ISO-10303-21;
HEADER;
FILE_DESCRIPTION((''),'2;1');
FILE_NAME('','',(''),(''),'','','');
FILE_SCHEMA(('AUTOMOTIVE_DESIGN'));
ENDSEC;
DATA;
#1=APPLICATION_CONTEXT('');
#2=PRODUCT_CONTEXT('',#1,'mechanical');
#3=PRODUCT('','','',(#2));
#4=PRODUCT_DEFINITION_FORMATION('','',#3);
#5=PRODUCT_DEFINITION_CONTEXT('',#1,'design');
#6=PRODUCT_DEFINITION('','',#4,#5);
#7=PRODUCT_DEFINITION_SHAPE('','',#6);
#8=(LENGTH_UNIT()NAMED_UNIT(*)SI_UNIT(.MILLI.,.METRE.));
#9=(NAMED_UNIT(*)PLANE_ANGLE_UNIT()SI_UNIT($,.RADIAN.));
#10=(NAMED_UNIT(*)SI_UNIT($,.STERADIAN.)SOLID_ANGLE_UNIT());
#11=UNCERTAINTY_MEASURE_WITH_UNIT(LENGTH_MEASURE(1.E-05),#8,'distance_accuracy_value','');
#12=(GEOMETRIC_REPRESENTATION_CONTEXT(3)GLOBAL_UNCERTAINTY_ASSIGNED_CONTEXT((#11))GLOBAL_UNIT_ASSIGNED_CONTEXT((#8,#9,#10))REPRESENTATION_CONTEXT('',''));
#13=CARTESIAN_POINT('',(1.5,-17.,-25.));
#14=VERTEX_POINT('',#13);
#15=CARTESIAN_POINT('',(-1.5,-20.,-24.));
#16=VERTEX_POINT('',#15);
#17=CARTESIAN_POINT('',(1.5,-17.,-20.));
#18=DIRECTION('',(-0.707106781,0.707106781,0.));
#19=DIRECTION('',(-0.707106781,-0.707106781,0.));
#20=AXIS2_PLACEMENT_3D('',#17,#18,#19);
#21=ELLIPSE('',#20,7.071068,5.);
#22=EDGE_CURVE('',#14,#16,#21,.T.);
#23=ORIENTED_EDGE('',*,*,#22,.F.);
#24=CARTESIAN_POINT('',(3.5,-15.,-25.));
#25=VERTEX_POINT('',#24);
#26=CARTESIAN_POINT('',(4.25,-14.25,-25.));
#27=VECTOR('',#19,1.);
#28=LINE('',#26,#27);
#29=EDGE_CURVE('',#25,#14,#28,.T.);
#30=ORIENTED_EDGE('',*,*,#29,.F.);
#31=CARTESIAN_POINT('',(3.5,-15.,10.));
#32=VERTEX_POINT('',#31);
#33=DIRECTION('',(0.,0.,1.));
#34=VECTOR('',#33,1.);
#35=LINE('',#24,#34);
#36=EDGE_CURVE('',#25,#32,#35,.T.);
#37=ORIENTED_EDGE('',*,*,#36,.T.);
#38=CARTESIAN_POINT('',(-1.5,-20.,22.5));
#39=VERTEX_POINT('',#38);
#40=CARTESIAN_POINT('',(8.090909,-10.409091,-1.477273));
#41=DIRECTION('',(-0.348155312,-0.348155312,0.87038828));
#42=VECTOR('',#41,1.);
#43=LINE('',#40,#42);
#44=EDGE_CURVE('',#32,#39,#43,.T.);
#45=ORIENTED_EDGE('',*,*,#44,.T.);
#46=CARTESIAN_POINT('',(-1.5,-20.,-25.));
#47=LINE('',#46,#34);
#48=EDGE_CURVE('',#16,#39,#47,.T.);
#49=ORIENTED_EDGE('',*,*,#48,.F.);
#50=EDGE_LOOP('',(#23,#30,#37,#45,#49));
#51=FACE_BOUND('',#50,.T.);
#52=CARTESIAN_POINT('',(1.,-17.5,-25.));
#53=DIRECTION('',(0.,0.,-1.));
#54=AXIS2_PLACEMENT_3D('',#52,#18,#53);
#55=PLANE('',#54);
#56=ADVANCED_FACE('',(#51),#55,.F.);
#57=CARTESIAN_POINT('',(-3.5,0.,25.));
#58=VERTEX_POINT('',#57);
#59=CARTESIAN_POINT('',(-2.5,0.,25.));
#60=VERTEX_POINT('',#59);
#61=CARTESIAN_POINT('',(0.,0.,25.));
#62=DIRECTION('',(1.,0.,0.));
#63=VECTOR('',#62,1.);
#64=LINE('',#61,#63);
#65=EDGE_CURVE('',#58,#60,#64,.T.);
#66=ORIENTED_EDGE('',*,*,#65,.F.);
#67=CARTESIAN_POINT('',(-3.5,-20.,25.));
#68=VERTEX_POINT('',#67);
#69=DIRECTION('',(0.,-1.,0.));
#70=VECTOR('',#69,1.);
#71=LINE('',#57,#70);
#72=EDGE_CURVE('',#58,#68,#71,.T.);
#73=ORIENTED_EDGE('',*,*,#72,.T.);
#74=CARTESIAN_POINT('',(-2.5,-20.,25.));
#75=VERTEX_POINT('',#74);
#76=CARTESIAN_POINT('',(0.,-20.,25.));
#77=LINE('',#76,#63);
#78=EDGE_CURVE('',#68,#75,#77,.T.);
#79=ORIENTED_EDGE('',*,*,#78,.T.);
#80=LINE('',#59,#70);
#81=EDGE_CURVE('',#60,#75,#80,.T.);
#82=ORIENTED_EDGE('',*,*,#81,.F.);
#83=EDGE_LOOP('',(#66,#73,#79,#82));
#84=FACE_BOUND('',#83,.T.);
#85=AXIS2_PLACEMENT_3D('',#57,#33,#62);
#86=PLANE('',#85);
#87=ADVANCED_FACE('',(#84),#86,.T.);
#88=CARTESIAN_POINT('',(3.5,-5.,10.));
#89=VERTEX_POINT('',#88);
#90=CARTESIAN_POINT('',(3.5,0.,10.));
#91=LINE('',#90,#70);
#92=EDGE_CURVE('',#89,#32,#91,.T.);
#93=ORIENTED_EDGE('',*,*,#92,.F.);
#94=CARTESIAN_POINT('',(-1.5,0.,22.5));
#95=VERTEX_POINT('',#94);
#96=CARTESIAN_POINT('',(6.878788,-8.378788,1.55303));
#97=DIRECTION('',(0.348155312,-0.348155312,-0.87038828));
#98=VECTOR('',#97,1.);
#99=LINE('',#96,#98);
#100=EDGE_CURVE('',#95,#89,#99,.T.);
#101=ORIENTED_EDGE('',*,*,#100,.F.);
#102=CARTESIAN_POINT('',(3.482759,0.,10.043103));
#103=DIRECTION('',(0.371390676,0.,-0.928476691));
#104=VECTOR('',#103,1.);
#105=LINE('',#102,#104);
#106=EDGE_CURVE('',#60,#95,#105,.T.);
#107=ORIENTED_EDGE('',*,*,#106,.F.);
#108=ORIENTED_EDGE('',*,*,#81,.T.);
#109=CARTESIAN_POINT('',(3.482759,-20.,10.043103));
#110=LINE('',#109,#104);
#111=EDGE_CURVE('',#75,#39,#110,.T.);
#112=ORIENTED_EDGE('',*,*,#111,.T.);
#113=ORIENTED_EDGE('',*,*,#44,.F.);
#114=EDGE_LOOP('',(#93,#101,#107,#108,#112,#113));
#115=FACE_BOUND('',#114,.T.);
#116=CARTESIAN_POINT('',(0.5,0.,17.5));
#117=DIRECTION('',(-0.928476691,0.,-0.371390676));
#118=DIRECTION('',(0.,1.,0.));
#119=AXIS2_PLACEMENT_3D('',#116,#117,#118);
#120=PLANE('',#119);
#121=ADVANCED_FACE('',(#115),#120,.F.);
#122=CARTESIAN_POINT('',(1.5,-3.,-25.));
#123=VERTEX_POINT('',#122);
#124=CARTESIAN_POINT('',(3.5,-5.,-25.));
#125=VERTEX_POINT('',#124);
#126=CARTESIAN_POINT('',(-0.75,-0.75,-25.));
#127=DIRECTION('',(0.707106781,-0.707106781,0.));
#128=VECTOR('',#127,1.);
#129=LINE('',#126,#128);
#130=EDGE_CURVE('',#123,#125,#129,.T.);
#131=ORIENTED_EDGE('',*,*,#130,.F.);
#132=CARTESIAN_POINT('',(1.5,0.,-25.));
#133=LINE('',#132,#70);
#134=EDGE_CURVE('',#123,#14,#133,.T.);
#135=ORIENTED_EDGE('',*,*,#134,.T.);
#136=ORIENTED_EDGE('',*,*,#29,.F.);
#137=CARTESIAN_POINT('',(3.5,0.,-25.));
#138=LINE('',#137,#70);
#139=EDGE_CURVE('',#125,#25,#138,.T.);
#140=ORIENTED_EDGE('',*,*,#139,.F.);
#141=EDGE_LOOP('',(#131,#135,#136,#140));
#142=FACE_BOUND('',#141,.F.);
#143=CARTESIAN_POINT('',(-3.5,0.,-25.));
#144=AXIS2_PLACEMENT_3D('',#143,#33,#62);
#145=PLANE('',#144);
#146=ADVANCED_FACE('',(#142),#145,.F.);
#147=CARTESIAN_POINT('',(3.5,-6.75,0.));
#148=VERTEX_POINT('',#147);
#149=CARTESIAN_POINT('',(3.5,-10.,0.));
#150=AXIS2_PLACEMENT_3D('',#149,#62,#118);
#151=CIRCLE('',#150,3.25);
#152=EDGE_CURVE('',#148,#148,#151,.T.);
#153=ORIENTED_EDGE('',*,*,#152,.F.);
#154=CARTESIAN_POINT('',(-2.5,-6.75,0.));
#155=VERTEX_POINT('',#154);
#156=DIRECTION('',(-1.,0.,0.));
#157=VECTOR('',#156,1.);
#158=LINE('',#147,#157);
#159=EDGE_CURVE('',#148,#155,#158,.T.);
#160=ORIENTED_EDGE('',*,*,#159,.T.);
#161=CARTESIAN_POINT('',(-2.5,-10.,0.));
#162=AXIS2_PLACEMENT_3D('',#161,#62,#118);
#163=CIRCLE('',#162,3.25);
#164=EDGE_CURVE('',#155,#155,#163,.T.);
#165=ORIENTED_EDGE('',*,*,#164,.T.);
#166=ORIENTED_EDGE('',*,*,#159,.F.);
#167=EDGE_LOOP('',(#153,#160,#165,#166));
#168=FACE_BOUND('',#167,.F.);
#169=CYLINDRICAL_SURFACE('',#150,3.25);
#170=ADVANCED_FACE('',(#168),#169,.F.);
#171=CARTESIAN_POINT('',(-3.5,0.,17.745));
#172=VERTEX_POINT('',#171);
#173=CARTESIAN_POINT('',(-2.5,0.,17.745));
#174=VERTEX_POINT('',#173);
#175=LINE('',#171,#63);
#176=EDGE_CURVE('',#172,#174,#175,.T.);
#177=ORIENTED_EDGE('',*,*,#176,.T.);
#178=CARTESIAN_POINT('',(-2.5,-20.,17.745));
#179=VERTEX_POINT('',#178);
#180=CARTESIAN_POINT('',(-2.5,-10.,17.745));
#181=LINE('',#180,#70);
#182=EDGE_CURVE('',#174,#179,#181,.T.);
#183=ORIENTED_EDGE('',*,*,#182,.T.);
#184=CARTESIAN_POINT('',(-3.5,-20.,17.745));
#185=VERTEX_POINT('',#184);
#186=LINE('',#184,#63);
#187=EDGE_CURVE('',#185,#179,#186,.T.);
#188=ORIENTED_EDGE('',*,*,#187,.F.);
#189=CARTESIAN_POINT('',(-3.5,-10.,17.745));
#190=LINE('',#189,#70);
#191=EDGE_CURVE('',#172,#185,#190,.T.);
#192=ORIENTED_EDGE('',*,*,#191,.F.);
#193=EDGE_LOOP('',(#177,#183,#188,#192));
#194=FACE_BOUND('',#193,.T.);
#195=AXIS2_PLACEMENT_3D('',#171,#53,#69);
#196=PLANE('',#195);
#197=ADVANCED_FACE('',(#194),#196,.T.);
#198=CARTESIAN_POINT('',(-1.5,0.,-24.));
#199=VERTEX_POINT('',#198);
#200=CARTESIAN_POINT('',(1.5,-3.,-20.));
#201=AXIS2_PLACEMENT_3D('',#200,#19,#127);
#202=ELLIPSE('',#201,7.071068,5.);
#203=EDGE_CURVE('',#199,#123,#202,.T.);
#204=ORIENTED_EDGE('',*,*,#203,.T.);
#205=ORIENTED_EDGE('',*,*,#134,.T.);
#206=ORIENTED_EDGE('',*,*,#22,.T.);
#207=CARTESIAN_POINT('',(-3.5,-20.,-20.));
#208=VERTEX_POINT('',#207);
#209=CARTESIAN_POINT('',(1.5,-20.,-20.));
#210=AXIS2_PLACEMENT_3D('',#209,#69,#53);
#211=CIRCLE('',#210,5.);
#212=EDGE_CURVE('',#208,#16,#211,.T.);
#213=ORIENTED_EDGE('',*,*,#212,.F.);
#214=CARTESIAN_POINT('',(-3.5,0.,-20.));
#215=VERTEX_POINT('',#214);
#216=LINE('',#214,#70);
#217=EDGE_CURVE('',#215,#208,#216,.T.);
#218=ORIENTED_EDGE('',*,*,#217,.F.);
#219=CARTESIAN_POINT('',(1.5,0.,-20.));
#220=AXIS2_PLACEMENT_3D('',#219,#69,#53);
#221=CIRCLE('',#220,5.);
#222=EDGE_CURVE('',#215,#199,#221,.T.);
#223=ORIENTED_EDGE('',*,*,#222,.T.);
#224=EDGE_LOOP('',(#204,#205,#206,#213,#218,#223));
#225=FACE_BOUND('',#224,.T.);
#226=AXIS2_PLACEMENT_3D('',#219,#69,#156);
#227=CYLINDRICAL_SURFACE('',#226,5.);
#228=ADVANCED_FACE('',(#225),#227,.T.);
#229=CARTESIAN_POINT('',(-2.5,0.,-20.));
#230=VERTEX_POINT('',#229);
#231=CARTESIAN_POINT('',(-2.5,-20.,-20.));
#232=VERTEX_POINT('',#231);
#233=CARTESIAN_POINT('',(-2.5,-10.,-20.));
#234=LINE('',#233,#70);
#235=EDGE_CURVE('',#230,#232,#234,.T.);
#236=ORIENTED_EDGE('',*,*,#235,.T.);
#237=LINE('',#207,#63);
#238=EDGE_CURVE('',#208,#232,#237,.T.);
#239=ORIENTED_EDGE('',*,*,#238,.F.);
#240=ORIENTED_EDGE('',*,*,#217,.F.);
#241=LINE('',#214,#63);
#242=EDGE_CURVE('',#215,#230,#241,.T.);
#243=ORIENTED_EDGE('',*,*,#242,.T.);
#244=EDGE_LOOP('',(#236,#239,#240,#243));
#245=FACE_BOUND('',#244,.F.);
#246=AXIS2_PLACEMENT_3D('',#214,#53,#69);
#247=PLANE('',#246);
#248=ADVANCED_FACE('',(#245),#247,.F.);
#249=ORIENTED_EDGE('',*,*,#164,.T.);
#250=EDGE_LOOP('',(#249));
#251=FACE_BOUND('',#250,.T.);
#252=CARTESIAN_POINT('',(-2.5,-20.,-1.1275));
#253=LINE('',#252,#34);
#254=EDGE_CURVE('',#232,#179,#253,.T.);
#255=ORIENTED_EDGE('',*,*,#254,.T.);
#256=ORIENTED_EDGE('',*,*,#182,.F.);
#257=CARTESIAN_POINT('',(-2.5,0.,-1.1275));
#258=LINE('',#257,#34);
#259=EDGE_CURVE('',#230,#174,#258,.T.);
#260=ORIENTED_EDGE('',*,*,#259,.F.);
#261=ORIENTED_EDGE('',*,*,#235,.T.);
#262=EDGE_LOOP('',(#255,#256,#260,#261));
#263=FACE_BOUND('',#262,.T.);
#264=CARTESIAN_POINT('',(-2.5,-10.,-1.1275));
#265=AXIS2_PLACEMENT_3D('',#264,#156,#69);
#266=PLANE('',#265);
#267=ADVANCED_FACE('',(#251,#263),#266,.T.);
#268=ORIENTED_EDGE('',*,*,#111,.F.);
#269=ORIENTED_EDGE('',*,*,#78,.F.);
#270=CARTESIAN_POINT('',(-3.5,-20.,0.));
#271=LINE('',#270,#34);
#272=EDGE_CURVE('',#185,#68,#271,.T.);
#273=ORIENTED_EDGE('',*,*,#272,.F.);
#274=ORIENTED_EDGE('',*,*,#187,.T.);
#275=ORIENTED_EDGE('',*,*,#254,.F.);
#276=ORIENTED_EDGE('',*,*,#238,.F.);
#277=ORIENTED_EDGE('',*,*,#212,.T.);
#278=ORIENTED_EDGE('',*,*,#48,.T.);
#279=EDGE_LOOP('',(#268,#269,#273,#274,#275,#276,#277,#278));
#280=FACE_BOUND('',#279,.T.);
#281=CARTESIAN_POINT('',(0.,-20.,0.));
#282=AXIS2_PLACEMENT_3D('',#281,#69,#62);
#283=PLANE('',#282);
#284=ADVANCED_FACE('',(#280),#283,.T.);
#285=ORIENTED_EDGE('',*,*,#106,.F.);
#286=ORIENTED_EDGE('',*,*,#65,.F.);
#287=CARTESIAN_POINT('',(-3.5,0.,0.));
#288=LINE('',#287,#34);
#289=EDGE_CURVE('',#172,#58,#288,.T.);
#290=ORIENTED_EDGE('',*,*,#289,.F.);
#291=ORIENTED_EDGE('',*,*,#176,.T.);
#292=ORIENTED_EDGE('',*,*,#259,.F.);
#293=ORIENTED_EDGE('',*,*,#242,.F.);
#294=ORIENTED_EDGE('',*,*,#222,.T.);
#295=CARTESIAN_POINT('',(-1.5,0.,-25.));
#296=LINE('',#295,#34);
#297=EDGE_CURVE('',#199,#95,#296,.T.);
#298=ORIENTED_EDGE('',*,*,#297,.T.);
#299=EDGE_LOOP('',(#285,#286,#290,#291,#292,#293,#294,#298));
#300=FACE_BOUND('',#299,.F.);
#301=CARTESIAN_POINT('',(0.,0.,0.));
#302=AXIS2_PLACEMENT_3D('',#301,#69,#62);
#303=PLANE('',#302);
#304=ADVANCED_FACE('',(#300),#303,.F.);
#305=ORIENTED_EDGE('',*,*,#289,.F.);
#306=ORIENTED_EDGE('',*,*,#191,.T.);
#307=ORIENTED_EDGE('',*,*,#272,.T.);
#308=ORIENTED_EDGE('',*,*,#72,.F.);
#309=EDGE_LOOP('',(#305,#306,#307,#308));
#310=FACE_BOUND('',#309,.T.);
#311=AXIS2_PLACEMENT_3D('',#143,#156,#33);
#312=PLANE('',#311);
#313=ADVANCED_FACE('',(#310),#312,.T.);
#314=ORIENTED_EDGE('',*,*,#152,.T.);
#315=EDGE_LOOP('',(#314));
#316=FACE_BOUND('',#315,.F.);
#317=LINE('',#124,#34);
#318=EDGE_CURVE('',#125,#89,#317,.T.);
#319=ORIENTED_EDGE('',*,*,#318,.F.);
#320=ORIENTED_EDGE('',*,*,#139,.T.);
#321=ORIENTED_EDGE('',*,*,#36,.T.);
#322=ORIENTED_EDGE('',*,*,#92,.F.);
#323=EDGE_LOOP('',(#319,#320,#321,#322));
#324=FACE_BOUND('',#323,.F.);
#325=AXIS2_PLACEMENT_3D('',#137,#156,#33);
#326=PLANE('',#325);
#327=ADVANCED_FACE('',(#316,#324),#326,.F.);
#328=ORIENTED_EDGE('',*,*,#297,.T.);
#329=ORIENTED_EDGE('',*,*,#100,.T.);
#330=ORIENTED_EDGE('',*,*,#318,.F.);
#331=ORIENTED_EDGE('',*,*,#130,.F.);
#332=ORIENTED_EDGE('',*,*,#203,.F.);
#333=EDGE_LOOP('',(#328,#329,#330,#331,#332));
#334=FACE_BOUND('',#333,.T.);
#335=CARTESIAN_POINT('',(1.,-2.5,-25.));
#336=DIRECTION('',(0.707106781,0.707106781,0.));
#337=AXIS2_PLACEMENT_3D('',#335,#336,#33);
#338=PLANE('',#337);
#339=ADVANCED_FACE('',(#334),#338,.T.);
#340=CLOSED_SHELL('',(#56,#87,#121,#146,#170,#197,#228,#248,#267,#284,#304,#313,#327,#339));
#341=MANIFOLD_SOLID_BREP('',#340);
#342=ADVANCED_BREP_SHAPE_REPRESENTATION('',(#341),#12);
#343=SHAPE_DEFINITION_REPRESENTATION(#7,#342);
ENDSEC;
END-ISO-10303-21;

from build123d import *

# Parameters (mm, degrees)
F0_W     = 7
F0_H     = 50
F1_DEPTH = 20
F2_R     = 5
F3_W     = 20
F3_H     = 37.745
F4_DEPTH = 1
F5_SIZE2 = 15
F5_SIZE  = 6
F6_R     = 3.25
F7_DEPTH = 25
F8_SIZE  = 5


with BuildPart() as f1:
    # F0 (on Front) → F1 (new body)
    with BuildSketch(Plane.XZ):
        Rectangle(F0_W, F0_H)
    extrude(amount=F1_DEPTH)

    # F2
    f2_edges = [f1.edges().sort_by_distance(p)[0] for p in [
        (-3.5, -10, -25),
    ]]
    fillet(f2_edges, radius=F2_R)

    # F3 (on face) → F4 (cut)
    with BuildSketch(Plane(origin=(-3.5, 0, 0), x_dir=(0, -1, 0), z_dir=(-1, 0, 0))):
        with Locations((10, -1.1275)):
            Rectangle(F3_W, F3_H)
    extrude(amount=-F4_DEPTH, mode=Mode.SUBTRACT)

    # F5
    f5_edges = [f1.edges().sort_by_distance(p)[0] for p in [
        (3.5, -10, 25),
    ]]
    chamfer(f5_edges, length=F5_SIZE, length2=F5_SIZE2)

    # F6 (on face) → F7 (cut)
    with BuildSketch(Plane.YZ.offset(3.5)):
        with Locations((-10, 0)):
            Circle(F6_R)
    extrude(amount=-F7_DEPTH, mode=Mode.SUBTRACT)

    # F8
    f8_edges = [f1.edges().sort_by_distance(p)[0] for p in [
        (3.5, -20, -7.5),
        (3.5, 0, -7.5),
    ]]
    chamfer(f8_edges, length=F8_SIZE)


solid = f1.part
